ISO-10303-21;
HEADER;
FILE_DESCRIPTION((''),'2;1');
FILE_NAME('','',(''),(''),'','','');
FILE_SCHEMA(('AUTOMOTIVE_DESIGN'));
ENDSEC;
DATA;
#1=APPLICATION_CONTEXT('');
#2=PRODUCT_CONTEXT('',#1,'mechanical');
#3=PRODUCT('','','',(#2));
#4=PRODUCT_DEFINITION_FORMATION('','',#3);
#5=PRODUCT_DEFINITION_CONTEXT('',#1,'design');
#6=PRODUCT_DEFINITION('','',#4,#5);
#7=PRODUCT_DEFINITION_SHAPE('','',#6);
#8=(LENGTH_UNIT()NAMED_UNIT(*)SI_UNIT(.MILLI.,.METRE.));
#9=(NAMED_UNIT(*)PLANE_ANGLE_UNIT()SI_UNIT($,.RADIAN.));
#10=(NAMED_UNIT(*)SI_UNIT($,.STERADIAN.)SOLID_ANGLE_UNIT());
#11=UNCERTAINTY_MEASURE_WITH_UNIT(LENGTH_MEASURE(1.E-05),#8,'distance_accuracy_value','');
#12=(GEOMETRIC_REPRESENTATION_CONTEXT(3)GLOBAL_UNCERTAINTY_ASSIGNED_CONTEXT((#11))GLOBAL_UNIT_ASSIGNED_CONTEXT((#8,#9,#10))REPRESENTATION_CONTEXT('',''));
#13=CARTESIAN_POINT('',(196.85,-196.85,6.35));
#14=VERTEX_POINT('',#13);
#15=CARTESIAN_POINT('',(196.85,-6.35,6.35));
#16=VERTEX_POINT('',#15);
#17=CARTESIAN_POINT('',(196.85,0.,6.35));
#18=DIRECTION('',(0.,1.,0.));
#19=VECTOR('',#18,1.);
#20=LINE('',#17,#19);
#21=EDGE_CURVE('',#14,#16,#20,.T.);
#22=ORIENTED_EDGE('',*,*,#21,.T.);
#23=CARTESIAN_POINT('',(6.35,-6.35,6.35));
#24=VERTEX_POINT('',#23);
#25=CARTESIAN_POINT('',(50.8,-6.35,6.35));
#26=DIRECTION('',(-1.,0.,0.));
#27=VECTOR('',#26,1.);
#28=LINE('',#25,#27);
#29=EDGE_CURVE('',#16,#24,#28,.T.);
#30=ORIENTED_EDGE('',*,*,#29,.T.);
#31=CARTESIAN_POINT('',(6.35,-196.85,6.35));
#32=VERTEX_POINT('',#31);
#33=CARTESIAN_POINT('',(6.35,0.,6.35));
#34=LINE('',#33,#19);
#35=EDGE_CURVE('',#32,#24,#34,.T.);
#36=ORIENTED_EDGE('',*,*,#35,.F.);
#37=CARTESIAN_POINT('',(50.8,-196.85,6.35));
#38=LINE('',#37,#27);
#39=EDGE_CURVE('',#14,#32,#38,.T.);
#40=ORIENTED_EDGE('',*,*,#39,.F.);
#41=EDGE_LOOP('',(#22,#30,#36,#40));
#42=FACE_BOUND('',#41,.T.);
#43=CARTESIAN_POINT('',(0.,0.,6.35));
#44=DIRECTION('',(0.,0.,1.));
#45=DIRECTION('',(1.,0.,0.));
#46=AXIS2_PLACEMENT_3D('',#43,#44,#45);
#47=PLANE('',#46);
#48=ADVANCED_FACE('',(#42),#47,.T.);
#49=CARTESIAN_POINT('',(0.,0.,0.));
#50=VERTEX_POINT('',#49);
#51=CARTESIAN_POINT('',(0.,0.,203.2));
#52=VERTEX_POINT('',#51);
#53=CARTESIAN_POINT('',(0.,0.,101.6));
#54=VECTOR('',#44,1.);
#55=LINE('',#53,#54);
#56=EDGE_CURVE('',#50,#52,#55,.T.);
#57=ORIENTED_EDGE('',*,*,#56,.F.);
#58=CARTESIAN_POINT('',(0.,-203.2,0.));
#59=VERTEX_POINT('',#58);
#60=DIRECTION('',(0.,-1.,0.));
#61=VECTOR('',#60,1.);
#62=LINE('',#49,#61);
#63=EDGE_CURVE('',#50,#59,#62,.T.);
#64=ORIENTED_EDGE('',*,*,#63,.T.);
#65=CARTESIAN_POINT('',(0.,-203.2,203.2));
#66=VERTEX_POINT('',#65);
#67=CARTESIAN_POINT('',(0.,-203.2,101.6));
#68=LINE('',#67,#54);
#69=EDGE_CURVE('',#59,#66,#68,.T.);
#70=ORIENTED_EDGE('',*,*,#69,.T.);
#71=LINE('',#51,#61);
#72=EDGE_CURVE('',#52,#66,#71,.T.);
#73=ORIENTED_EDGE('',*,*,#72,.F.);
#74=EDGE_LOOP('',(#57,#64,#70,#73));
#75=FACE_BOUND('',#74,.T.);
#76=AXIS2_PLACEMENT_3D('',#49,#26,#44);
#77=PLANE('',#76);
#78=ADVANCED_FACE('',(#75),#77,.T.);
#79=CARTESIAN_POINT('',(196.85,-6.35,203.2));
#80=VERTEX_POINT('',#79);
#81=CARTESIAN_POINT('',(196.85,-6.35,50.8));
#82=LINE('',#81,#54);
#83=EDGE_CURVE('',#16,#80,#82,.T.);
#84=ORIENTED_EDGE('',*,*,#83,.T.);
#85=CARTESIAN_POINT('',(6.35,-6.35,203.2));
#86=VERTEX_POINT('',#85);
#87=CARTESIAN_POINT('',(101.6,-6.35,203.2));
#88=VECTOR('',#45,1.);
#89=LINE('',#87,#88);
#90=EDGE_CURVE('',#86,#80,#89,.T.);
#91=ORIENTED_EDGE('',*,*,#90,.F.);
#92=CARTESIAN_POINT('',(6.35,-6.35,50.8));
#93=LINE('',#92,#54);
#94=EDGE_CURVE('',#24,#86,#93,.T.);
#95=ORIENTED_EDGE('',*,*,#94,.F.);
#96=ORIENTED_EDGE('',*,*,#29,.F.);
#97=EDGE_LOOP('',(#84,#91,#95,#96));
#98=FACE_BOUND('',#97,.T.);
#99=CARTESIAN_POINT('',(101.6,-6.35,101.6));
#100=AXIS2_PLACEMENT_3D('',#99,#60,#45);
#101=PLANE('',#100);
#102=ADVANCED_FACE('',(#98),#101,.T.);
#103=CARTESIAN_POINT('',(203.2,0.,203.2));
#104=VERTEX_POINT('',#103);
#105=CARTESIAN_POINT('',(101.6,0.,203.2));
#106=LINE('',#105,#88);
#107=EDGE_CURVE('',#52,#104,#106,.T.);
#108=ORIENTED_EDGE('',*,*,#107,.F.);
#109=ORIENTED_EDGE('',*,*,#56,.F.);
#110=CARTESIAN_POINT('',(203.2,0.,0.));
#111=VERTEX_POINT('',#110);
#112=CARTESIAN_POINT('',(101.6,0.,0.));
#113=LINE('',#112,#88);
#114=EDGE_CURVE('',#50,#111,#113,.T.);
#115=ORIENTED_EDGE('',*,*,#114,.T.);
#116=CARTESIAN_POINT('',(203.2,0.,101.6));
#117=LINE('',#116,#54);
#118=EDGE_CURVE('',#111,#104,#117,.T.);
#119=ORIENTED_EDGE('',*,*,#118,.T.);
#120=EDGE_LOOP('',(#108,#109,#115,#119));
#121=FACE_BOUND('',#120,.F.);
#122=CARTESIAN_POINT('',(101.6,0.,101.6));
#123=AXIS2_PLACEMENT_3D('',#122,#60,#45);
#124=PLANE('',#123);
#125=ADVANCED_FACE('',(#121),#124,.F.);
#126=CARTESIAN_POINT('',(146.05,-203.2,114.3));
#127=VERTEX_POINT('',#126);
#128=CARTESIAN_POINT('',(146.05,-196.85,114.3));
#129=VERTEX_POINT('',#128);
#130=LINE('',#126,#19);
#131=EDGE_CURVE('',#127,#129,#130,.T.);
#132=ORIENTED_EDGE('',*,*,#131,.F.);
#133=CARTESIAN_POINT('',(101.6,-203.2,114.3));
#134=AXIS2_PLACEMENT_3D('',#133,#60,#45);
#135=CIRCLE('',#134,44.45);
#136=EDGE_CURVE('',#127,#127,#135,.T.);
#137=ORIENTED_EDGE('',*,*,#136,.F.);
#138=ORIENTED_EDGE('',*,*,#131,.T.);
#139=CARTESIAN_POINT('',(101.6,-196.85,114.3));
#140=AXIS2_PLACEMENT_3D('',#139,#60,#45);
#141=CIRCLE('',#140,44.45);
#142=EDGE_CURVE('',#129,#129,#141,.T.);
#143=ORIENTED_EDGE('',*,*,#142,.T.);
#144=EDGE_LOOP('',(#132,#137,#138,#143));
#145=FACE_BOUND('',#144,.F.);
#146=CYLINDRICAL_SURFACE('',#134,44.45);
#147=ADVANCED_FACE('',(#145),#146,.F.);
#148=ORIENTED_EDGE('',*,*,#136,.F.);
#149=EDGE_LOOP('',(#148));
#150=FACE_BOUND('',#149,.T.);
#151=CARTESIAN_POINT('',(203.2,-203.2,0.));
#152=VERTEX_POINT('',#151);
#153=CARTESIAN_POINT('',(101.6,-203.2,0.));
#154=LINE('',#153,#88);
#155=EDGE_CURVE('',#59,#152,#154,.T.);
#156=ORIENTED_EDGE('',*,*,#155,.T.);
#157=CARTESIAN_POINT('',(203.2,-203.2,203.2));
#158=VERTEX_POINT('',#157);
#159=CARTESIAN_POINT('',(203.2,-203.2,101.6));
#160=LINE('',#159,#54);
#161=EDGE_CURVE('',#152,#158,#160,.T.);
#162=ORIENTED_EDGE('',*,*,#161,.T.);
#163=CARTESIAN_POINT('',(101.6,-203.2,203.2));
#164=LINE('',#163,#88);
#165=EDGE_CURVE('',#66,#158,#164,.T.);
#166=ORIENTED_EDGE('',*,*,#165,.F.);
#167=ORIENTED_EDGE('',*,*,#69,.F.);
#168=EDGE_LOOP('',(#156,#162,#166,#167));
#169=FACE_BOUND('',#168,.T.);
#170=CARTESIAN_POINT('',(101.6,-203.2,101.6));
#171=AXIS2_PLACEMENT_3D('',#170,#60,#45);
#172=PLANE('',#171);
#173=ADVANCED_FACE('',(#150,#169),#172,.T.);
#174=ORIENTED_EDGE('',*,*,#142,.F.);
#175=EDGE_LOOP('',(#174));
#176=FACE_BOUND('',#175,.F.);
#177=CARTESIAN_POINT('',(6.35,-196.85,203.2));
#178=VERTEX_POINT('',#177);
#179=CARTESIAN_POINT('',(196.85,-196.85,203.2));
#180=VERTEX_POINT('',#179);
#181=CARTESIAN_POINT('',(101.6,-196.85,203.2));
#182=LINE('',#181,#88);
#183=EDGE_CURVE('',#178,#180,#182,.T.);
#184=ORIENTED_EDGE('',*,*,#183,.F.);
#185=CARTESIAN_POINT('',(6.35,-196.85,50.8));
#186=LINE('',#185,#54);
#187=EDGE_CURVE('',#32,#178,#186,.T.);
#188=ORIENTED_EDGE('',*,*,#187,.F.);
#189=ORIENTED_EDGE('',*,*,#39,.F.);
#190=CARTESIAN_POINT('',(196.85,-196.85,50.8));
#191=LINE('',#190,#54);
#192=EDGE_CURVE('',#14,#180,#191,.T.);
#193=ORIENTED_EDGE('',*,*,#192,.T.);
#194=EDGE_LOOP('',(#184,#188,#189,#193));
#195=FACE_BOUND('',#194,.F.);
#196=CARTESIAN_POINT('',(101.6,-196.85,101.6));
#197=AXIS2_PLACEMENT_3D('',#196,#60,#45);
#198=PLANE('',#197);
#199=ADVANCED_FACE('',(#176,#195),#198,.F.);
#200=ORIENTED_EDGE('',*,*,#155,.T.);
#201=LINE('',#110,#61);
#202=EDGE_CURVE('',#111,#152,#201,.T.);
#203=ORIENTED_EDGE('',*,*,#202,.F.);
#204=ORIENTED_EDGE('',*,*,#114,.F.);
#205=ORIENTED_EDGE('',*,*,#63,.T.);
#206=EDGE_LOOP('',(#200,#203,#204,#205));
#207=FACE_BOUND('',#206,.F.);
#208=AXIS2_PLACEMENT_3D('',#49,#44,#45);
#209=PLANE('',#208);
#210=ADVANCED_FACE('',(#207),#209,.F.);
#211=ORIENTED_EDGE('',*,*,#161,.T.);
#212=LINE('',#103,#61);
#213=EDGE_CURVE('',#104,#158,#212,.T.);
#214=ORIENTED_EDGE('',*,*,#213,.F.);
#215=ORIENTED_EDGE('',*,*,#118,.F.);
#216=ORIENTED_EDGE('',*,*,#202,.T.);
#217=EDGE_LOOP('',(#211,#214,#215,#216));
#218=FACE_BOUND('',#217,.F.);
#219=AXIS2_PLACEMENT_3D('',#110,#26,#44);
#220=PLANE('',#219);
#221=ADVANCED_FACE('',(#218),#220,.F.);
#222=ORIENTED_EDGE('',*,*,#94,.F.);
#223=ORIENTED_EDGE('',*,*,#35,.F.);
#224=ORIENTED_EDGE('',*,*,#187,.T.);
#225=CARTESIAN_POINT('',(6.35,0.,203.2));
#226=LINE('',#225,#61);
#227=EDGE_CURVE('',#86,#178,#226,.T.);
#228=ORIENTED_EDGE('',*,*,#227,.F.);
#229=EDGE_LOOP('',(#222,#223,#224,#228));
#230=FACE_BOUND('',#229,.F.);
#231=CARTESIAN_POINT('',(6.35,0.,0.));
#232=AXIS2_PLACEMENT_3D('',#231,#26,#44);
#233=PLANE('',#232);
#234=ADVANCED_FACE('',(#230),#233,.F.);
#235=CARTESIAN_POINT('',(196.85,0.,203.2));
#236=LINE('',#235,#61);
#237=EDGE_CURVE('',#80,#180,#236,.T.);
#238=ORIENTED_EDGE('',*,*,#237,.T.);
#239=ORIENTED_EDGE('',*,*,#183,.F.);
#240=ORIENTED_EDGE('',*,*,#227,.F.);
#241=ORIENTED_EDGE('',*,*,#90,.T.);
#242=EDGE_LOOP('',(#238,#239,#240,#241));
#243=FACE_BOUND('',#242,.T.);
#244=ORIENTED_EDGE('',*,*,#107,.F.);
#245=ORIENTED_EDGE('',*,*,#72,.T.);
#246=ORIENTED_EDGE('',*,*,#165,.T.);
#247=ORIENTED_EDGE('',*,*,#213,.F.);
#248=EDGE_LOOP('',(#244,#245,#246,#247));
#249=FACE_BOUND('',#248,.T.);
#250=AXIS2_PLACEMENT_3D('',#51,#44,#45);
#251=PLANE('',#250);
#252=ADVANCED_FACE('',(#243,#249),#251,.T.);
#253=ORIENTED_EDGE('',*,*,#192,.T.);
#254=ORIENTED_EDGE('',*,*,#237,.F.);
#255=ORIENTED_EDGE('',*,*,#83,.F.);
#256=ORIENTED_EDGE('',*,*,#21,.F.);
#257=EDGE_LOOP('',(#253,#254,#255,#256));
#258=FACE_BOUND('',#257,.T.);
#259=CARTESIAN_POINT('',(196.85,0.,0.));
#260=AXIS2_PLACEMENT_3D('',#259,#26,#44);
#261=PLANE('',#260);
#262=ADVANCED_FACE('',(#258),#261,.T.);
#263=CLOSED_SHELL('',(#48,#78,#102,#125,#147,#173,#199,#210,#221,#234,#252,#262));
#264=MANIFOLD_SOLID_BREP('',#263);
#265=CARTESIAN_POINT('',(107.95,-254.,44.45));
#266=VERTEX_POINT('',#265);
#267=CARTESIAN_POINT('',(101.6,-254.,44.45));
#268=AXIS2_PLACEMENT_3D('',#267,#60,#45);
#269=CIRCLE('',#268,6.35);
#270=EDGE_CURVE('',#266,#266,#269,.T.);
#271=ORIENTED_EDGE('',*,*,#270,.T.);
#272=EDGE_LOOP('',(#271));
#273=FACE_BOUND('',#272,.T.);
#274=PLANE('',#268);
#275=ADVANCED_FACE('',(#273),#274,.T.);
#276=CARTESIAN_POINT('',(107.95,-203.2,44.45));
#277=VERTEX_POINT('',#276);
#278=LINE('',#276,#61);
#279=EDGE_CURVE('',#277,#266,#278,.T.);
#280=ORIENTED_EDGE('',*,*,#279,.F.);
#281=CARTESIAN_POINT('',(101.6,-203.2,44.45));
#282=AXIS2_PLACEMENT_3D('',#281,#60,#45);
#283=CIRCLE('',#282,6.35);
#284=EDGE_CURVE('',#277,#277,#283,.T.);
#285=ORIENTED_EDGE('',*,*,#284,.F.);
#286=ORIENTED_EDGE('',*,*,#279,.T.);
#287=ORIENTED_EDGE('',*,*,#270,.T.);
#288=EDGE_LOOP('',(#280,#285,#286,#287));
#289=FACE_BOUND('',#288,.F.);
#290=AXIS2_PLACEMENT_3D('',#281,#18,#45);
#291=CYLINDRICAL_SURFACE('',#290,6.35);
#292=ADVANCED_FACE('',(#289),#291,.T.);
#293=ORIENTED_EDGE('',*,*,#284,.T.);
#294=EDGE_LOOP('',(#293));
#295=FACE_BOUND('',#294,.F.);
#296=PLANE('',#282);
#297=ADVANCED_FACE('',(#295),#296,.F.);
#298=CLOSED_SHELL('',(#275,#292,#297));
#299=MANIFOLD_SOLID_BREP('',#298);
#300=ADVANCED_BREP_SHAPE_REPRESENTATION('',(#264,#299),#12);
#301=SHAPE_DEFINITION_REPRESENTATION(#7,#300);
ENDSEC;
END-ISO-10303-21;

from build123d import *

# Parameters (mm, degrees)
F0_W     = 203.2
F0_H     = 203.2
F1_DEPTH = 203.2
F2_T     = -6.35
F3_R     = 44.45
F4_DEPTH = 6.35
F5_R     = 6.35
F6_DEPTH = 50.8


with BuildPart() as f1:
    # F0 (on Front) → F1 (new body)
    with BuildSketch(Plane.XZ):
        with Locations((101.6, 101.6)):
            Rectangle(F0_W, F0_H)
    extrude(amount=F1_DEPTH)

    # F2
    f2_openings = [f1.faces().sort_by_distance(p)[0] for p in [
        (101.6, -101.6, 203.2),
    ]]
    offset(amount=F2_T, openings=f2_openings)

    # F3 (on face) → F4 (cut)
    with BuildSketch(Plane.XZ.offset(203.2)):
        with Locations((101.6, 114.3)):
            Circle(F3_R)
    extrude(amount=-F4_DEPTH, mode=Mode.SUBTRACT)


with BuildPart() as f6:
    # F5 (on face) → F6 (new body)
    with BuildSketch(Plane.XZ.offset(203.2)):
        with Locations((101.6, 44.45)):
            Circle(F5_R)
    extrude(amount=F6_DEPTH)


solid = Compound([f1.part, f6.part])
